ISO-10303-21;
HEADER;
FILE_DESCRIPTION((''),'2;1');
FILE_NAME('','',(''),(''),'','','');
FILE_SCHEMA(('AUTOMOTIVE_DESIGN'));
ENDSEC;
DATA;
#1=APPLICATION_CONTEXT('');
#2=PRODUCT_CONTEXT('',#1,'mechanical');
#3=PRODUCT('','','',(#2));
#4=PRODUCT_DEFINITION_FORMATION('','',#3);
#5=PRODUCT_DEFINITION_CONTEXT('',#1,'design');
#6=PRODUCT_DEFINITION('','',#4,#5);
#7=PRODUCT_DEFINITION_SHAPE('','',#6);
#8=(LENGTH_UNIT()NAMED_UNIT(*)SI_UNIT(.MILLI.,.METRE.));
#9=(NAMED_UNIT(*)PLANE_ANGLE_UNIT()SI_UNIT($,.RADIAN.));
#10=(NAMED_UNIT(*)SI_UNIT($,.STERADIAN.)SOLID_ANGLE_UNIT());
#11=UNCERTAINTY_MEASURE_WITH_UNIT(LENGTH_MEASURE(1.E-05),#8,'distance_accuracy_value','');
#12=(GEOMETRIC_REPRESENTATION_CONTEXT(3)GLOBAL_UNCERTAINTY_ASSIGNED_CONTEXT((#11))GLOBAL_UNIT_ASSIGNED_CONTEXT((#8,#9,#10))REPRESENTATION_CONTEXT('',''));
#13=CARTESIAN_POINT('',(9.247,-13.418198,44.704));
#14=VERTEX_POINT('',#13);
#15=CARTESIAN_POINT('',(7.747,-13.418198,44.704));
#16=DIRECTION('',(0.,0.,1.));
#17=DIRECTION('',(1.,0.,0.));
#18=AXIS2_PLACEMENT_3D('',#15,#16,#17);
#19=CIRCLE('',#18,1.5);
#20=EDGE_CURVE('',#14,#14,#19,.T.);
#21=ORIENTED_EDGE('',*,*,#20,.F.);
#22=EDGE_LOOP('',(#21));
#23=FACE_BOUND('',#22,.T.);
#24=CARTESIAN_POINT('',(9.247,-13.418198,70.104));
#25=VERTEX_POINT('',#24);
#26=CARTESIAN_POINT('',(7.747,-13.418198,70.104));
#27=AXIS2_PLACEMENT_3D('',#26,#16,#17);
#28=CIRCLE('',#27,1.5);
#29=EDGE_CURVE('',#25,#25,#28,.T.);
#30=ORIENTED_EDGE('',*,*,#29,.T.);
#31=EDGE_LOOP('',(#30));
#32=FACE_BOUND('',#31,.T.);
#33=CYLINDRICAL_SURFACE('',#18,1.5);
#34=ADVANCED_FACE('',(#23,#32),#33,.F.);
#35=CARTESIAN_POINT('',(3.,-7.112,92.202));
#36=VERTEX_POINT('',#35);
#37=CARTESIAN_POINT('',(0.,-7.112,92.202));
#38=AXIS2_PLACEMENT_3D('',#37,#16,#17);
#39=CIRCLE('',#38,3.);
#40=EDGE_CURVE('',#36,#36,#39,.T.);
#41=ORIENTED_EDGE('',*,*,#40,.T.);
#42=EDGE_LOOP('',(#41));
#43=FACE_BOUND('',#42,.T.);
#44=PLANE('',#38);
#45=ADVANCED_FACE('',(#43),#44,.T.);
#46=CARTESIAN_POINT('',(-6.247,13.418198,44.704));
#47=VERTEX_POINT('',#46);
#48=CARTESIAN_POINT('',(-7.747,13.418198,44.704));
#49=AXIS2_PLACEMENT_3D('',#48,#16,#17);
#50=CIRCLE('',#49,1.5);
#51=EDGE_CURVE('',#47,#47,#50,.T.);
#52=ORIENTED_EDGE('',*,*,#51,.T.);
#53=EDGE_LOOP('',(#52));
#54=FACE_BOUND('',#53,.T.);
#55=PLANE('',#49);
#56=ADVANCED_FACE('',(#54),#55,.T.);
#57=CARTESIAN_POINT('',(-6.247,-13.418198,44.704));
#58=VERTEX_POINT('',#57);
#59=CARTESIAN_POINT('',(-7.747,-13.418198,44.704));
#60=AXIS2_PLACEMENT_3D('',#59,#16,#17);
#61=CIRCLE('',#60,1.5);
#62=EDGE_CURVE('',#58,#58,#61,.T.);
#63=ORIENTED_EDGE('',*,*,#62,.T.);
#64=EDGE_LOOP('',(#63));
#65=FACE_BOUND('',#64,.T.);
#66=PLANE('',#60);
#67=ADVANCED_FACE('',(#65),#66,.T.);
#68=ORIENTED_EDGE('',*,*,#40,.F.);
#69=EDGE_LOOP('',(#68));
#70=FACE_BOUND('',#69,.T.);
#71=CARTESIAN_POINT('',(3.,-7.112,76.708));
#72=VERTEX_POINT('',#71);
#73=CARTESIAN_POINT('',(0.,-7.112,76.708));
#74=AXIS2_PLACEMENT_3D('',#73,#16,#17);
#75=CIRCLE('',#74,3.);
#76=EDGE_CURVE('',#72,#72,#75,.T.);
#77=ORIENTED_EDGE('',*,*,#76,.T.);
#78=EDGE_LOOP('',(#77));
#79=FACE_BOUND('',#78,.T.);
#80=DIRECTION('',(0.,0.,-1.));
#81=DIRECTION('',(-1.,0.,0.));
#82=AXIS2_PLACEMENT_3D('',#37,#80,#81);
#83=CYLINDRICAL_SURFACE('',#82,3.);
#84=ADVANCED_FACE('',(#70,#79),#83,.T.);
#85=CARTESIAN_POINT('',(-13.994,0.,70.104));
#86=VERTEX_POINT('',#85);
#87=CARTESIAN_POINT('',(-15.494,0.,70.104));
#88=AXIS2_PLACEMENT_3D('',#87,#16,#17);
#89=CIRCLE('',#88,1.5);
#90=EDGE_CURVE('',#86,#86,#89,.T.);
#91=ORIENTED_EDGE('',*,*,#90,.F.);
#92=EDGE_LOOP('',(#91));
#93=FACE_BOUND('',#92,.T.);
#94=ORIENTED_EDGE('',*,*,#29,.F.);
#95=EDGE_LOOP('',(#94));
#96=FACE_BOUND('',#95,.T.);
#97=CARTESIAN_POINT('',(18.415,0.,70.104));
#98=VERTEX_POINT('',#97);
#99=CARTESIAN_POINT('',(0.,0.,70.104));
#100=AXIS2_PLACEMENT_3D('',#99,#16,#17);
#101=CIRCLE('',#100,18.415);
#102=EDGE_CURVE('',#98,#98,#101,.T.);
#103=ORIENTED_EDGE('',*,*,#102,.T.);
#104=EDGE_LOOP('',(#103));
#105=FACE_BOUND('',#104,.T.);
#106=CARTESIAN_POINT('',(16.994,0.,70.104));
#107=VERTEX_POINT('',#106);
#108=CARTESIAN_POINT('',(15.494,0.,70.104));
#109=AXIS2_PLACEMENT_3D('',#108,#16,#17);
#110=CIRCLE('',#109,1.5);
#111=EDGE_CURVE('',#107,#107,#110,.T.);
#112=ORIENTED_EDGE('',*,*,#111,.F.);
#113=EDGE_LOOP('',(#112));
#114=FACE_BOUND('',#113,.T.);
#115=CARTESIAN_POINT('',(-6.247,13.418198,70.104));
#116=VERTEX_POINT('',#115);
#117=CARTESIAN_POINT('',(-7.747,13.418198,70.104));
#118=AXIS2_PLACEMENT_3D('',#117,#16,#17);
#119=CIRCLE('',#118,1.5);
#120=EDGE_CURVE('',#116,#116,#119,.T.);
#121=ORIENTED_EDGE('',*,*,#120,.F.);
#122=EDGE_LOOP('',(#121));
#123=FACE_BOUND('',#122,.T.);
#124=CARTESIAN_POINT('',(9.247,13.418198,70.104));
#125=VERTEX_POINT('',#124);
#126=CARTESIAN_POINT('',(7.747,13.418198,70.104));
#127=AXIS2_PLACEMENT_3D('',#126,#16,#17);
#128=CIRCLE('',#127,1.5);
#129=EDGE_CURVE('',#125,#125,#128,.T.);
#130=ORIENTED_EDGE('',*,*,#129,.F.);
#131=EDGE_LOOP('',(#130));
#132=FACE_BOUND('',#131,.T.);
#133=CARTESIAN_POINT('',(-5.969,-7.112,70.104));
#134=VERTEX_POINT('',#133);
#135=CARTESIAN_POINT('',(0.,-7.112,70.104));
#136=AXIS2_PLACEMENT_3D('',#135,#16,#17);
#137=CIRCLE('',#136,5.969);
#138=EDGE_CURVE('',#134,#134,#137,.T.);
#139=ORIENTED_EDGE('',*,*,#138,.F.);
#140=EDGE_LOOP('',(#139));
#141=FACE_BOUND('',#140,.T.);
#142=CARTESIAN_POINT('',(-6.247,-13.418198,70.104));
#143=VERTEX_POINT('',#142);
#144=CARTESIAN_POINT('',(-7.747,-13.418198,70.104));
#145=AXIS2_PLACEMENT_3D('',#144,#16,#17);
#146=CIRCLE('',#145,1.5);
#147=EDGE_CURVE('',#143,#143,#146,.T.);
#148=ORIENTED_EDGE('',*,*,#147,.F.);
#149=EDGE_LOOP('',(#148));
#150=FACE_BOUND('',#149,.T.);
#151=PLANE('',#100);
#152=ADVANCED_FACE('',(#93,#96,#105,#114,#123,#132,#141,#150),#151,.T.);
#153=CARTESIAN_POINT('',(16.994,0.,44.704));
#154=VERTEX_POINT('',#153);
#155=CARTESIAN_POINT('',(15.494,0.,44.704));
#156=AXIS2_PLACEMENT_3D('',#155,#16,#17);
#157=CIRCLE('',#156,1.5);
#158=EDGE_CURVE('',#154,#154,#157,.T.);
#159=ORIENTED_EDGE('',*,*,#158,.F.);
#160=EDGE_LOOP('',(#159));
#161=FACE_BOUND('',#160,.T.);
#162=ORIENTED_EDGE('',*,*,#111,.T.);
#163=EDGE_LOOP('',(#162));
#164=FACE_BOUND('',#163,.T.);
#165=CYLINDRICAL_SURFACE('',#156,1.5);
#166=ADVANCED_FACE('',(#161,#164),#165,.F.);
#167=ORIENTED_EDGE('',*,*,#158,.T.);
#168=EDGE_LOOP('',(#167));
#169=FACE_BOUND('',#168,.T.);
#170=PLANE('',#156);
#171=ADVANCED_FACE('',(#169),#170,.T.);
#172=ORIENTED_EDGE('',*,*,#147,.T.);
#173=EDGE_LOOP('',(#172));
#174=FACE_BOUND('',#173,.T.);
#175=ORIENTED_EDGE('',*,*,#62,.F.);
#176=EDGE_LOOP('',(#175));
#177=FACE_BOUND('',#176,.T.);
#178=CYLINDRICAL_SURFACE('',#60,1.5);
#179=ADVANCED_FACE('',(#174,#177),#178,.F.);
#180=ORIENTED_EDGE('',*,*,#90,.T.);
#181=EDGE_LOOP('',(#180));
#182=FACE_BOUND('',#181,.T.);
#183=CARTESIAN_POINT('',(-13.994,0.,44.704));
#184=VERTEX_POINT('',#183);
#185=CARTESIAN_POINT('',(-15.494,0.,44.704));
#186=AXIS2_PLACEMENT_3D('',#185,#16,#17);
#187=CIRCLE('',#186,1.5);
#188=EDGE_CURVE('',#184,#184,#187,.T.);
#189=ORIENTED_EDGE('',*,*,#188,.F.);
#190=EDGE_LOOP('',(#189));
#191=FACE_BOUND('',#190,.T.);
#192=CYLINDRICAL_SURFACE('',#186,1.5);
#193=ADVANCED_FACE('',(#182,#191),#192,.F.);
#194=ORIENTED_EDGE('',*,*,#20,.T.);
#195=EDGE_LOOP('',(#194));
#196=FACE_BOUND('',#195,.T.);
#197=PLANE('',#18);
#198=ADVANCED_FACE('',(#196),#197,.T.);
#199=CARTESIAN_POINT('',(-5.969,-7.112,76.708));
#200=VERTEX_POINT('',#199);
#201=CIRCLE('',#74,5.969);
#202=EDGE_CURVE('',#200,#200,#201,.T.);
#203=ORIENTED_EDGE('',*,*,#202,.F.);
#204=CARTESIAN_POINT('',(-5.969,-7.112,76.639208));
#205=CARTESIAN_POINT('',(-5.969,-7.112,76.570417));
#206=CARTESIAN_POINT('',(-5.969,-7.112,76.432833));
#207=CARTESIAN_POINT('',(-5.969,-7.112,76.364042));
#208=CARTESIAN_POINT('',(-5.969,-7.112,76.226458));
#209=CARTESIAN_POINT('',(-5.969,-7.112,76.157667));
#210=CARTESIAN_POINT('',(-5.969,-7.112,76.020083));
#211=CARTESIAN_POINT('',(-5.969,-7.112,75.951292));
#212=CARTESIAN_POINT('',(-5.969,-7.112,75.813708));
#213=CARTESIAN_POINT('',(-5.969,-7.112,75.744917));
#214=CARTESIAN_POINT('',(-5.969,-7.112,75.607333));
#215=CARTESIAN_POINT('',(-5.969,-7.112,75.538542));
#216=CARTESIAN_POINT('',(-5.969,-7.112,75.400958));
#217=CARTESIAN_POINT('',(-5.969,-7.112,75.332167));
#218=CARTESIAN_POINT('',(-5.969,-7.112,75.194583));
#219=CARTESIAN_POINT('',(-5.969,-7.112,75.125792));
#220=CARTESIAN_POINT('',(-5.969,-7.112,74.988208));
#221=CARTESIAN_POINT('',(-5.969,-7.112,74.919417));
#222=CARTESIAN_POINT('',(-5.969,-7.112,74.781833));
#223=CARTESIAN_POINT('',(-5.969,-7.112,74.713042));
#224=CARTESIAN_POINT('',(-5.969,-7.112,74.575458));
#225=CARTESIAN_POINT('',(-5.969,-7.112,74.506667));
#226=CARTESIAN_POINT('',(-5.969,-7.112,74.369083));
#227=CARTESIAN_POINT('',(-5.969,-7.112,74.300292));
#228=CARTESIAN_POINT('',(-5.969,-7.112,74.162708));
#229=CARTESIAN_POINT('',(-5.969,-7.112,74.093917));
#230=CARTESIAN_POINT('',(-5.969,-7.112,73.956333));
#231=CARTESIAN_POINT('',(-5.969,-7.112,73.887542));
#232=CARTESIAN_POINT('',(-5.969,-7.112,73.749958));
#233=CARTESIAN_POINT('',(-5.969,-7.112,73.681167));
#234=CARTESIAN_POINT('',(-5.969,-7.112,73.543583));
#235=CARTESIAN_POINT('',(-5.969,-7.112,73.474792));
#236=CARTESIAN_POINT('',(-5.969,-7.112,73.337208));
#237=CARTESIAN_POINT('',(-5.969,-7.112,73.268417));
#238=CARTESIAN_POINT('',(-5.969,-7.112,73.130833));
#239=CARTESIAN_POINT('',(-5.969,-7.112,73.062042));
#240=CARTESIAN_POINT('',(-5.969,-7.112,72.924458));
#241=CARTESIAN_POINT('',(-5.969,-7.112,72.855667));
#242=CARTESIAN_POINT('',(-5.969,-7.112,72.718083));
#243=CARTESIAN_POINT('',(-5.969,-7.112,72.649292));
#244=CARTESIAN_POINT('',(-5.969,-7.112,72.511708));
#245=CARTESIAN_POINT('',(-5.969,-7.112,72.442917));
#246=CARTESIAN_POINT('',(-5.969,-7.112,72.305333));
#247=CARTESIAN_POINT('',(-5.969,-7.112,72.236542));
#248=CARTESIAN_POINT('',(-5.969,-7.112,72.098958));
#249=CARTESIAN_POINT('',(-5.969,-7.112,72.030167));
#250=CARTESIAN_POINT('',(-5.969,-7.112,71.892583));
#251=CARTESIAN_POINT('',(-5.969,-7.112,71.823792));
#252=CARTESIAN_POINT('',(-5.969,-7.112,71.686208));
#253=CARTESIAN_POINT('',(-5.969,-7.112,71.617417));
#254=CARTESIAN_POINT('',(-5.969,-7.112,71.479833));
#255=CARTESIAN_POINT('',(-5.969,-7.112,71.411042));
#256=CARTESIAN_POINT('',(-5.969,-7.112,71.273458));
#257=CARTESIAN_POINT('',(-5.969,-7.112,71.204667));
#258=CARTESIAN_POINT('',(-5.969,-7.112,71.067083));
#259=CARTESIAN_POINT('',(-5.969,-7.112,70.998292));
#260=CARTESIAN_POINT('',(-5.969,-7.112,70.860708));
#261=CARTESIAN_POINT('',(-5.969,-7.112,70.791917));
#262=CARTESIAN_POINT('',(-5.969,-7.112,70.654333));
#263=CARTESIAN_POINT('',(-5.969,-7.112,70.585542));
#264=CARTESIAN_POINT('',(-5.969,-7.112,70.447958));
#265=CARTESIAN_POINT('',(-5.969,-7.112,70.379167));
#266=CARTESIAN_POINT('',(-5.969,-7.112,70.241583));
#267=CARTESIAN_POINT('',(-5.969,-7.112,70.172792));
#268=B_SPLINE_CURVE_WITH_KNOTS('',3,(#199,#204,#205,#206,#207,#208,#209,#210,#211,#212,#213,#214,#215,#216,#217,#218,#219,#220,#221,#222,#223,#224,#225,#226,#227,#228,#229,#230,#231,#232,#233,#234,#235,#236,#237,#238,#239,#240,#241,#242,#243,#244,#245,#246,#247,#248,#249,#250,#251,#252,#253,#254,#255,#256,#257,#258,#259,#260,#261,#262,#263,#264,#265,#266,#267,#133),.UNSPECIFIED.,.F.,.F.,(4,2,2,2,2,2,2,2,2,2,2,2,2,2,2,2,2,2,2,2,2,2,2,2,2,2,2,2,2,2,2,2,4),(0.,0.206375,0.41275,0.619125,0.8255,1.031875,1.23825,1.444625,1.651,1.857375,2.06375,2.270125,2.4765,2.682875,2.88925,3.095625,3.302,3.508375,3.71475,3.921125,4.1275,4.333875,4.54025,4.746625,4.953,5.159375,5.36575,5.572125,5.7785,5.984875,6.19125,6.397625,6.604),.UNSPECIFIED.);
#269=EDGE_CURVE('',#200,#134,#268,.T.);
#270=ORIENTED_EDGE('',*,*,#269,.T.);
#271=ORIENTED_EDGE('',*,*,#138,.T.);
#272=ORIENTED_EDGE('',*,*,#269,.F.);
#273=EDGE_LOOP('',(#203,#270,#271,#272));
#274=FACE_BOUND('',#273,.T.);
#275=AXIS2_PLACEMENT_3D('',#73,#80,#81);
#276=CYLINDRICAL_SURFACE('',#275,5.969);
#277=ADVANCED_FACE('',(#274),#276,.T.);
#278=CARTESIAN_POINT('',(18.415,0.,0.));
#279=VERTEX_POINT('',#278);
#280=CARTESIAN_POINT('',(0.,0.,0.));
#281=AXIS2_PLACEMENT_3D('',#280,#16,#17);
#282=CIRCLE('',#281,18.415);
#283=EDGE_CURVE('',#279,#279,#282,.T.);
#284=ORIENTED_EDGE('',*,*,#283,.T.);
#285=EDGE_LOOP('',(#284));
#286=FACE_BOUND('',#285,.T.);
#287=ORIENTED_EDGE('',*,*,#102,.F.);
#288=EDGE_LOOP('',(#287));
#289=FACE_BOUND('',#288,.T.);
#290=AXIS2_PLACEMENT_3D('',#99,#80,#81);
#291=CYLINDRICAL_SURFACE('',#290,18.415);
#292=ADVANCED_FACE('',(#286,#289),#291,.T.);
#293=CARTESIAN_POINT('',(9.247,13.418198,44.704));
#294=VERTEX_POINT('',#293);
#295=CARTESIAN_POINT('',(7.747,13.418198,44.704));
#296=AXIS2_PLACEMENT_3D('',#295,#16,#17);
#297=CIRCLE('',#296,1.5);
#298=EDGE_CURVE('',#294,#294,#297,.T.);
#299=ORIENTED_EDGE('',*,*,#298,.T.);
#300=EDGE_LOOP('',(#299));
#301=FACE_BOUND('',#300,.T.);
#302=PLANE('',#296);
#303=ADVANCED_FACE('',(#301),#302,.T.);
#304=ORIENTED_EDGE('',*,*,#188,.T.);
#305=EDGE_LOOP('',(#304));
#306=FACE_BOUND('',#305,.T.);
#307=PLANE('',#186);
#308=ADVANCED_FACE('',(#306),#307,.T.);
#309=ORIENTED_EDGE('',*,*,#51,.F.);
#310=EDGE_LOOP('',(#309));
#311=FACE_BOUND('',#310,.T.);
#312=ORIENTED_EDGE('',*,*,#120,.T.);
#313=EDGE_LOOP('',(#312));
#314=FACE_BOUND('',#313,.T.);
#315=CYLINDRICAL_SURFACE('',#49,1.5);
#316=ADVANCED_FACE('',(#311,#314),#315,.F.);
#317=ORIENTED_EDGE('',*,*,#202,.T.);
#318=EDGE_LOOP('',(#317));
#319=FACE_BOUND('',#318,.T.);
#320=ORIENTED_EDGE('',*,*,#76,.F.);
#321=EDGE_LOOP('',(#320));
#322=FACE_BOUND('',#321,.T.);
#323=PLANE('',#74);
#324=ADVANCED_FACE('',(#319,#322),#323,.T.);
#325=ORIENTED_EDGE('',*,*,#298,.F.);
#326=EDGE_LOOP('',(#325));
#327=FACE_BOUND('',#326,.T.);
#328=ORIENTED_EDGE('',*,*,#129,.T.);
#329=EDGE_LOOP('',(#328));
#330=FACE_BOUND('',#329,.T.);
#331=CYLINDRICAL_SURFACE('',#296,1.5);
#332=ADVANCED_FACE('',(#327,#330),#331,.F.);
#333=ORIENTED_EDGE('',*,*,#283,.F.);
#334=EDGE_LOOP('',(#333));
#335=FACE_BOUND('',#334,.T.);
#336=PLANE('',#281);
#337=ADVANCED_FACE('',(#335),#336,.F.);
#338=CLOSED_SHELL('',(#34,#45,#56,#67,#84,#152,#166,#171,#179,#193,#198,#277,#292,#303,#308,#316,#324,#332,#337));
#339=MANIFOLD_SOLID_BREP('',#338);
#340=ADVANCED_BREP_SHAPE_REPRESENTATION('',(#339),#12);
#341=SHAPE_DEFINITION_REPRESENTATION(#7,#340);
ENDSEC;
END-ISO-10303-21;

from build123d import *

# Parameters (mm, degrees)
SKETCH1_R           = 18.415
BOSS_EXTRUDE1_DEPTH = 70.104
SKETCH2_R           = 5.969
BOSS_EXTRUDE2_DEPTH = 6.604
SKETCH3_R           = 3
BOSS_EXTRUDE3_DEPTH = 15.494
SKETCH4_R           = 1.5
CUT_EXTRUDE1_DEPTH  = 25.4


with BuildPart() as part:
    # Sketch1 → Boss-Extrude1 (new body)
    with BuildSketch(Plane.XY):
        Circle(SKETCH1_R)
    extrude(amount=BOSS_EXTRUDE1_DEPTH)

    # Sketch2 → Boss-Extrude2 (add)
    with BuildSketch(Plane.XY.offset(70.104)):
        with Locations(Location((0, -7.112, 0), (0, 0, 180))):
            Circle(SKETCH2_R)
    extrude(amount=BOSS_EXTRUDE2_DEPTH)

    # Sketch3 → Boss-Extrude3 (add)
    with BuildSketch(Plane.XY.offset(76.708)):
        with Locations((0, -7.112)):
            Circle(SKETCH3_R)
    extrude(amount=BOSS_EXTRUDE3_DEPTH)

    # Sketch4 → Cut-Extrude1 (cut)
    with BuildSketch(Plane.XY.offset(70.104)):
        with Locations((-15.494, 0)):
            Circle(SKETCH4_R)
        with Locations((15.494, 0)):
            Circle(SKETCH4_R)
        with Locations((7.747, 13.418197606)):
            Circle(SKETCH4_R)
        with Locations((-7.747, 13.418197606)):
            Circle(SKETCH4_R)
        with Locations((-7.747, -13.418197606)):
            Circle(SKETCH4_R)
        with Locations((7.747, -13.418197606)):
            Circle(SKETCH4_R)
    extrude(amount=-CUT_EXTRUDE1_DEPTH, mode=Mode.SUBTRACT)


solid = part.part
